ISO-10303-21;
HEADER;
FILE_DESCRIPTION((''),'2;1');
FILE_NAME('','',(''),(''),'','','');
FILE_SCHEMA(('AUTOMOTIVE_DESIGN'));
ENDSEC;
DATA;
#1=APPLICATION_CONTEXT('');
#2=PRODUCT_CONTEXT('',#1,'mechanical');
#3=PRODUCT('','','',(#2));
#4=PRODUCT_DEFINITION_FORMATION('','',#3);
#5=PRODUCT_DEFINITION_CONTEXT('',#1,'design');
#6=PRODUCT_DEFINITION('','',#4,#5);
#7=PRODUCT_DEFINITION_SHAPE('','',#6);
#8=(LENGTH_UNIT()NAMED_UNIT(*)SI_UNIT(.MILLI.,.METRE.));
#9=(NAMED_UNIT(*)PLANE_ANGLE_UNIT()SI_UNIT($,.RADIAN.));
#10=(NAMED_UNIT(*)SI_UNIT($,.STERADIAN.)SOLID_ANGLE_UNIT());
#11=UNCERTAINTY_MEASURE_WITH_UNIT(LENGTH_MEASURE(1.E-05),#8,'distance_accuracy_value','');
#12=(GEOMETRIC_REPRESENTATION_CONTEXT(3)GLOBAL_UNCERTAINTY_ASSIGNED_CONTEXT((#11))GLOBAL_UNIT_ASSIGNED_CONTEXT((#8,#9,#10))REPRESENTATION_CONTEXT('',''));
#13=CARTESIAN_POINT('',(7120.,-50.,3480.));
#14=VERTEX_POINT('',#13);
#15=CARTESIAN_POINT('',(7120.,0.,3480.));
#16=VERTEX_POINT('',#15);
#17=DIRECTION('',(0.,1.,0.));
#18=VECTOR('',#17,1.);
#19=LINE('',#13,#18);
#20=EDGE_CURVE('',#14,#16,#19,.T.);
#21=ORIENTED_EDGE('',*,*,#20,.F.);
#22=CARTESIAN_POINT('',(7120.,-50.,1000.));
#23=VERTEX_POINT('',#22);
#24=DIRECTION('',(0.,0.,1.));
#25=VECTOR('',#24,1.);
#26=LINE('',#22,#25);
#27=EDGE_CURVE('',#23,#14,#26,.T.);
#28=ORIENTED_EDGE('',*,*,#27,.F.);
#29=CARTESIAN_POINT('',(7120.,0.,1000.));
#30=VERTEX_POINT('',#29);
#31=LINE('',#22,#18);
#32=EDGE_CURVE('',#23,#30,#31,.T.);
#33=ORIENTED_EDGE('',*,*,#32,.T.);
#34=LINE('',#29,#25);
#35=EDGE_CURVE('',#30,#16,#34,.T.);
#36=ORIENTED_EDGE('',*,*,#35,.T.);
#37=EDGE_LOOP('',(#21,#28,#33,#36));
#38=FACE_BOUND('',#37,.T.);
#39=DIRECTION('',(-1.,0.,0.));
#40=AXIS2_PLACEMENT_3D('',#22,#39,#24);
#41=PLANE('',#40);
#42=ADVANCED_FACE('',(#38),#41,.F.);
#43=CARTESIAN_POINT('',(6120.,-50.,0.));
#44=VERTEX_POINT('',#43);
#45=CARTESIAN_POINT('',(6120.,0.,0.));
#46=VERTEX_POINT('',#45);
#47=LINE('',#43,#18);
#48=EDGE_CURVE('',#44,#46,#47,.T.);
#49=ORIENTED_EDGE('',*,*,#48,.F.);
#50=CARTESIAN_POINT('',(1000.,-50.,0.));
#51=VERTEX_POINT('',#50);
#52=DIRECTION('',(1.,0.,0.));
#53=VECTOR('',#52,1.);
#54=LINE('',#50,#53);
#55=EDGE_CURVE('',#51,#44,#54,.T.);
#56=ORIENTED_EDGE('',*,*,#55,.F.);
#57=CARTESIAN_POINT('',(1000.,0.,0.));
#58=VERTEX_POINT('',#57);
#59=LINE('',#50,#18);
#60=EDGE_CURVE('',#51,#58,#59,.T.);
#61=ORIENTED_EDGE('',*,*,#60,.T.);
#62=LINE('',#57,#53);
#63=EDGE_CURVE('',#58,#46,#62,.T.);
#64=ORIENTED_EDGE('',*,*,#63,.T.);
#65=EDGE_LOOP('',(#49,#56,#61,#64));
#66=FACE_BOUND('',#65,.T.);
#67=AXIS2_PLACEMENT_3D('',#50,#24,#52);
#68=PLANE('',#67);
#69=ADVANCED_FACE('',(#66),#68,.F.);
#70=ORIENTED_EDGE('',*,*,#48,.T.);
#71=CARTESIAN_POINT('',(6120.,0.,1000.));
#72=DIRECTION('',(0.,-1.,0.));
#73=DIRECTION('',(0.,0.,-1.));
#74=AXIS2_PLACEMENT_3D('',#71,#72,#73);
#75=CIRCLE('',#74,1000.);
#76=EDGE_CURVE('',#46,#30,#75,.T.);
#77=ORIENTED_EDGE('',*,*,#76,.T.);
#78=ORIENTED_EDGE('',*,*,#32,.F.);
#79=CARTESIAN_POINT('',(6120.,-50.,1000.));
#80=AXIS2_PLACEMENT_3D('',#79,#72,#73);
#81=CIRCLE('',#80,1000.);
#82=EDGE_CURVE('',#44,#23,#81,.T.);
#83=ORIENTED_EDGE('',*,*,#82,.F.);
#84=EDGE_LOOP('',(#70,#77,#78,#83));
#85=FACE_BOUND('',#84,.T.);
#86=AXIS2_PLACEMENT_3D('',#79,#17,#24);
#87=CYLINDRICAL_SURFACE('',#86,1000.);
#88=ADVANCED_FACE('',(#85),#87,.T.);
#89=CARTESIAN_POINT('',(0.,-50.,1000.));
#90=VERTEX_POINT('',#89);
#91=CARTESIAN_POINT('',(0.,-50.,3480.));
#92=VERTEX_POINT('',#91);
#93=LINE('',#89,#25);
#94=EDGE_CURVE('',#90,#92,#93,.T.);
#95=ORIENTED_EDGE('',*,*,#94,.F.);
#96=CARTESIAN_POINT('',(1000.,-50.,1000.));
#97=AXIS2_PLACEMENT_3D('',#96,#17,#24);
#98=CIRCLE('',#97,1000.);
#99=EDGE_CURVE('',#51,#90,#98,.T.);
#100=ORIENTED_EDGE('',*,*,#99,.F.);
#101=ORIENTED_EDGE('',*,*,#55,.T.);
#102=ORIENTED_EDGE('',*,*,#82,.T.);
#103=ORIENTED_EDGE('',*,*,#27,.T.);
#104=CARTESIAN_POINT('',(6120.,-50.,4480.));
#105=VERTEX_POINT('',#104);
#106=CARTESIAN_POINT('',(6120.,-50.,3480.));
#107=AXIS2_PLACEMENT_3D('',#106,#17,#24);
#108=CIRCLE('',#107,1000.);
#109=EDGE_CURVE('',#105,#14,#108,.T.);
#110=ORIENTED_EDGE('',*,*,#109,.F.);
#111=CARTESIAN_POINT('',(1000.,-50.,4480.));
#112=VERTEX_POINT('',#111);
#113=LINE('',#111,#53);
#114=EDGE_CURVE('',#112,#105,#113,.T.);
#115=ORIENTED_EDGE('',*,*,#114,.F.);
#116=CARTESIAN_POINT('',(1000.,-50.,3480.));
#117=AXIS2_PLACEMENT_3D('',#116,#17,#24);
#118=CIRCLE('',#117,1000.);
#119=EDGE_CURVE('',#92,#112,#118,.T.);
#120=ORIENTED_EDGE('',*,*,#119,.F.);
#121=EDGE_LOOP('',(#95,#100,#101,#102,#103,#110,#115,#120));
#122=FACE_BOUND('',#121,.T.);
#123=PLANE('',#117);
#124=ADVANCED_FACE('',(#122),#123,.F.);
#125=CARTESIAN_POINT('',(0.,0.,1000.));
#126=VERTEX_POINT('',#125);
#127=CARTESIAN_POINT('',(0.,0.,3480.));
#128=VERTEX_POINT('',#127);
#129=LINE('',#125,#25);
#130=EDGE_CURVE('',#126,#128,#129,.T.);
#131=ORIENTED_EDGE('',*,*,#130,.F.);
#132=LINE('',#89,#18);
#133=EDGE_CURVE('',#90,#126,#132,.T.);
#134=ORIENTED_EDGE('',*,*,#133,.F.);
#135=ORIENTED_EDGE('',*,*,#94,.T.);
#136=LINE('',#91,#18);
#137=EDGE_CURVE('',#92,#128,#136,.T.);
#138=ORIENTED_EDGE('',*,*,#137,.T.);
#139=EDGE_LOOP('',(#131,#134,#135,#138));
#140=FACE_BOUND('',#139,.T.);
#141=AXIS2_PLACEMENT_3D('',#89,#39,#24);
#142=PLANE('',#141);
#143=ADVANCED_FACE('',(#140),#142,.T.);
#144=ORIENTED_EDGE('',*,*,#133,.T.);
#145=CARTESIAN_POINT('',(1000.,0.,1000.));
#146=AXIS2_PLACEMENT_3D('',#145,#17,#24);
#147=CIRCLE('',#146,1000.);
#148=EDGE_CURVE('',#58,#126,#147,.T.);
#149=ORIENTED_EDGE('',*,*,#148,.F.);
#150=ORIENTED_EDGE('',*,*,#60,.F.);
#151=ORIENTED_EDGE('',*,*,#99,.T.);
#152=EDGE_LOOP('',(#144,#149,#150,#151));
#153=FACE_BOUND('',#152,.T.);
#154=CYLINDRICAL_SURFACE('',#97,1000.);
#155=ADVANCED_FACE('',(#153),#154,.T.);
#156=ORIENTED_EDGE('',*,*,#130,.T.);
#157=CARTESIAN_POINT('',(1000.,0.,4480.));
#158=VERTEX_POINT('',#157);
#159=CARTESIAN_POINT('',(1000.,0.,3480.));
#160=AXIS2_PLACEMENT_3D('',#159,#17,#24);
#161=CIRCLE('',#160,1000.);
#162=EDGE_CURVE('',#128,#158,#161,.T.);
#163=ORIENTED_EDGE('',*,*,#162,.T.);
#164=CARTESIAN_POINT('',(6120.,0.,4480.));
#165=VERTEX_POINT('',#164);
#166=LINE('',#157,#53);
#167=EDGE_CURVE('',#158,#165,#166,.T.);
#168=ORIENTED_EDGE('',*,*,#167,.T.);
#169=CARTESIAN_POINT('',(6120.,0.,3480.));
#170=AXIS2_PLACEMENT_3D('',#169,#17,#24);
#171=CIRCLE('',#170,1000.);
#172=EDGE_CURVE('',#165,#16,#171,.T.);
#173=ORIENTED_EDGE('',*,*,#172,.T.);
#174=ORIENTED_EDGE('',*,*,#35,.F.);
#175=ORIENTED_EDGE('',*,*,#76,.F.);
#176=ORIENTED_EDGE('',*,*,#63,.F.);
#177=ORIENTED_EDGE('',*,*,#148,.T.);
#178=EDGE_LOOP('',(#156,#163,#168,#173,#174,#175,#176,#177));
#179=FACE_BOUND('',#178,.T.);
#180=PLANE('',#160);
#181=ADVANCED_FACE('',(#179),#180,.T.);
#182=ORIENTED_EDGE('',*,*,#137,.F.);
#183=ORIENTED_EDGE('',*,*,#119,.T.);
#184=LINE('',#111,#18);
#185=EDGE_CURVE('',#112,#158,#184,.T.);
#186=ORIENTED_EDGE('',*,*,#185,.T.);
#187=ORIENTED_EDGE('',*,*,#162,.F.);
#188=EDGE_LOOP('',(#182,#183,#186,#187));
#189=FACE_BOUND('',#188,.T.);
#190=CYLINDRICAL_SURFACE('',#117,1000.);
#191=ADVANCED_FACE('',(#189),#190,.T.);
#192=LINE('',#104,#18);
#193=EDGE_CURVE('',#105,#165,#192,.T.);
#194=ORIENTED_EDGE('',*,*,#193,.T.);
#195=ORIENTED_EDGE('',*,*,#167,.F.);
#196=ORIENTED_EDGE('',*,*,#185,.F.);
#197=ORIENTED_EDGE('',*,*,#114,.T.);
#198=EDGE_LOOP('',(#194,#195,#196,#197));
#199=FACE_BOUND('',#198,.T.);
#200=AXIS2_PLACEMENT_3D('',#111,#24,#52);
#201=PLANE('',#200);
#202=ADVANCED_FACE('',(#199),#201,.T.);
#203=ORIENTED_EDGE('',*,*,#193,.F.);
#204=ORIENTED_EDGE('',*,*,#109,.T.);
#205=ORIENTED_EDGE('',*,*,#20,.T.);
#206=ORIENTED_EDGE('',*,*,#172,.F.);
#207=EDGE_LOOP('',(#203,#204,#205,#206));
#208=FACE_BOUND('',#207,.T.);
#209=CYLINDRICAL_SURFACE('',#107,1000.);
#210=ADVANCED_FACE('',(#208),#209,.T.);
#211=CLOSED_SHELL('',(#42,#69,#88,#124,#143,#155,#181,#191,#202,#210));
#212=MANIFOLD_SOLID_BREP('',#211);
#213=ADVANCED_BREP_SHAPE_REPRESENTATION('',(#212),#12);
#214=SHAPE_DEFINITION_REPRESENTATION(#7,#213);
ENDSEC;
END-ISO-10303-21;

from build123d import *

# Parameters (mm, degrees)
DODANIE_WYCI_GNI_CIE1_DEPTH = 50


with BuildPart() as part:
    # Szkic1 → Dodanie-wyciągnięcie1 (new body)
    with BuildSketch(Plane(origin=(0, 0, 0), x_dir=(1, 0, 0), z_dir=(0, 1, 0))):
        with BuildLine():
            Line((1000, 0), (6120, 0))
            ThreePointArc((6120, 0), (6827.106781187, -292.893218813), (7120, -1000))
            Line((7120, -1000), (7120, -3480))
            ThreePointArc((7120, -3480), (6827.106781187, -4187.106781187), (6120, -4480))
            Line((6120, -4480), (1000, -4480))
            ThreePointArc((1000, -4480), (292.893218813, -4187.106781187), (0, -3480))
            Line((0, -3480), (0, -1000))
            ThreePointArc((0, -1000), (292.893218813, -292.893218813), (1000, 0))
        make_face()
    extrude(amount=-DODANIE_WYCI_GNI_CIE1_DEPTH)


solid = part.part
